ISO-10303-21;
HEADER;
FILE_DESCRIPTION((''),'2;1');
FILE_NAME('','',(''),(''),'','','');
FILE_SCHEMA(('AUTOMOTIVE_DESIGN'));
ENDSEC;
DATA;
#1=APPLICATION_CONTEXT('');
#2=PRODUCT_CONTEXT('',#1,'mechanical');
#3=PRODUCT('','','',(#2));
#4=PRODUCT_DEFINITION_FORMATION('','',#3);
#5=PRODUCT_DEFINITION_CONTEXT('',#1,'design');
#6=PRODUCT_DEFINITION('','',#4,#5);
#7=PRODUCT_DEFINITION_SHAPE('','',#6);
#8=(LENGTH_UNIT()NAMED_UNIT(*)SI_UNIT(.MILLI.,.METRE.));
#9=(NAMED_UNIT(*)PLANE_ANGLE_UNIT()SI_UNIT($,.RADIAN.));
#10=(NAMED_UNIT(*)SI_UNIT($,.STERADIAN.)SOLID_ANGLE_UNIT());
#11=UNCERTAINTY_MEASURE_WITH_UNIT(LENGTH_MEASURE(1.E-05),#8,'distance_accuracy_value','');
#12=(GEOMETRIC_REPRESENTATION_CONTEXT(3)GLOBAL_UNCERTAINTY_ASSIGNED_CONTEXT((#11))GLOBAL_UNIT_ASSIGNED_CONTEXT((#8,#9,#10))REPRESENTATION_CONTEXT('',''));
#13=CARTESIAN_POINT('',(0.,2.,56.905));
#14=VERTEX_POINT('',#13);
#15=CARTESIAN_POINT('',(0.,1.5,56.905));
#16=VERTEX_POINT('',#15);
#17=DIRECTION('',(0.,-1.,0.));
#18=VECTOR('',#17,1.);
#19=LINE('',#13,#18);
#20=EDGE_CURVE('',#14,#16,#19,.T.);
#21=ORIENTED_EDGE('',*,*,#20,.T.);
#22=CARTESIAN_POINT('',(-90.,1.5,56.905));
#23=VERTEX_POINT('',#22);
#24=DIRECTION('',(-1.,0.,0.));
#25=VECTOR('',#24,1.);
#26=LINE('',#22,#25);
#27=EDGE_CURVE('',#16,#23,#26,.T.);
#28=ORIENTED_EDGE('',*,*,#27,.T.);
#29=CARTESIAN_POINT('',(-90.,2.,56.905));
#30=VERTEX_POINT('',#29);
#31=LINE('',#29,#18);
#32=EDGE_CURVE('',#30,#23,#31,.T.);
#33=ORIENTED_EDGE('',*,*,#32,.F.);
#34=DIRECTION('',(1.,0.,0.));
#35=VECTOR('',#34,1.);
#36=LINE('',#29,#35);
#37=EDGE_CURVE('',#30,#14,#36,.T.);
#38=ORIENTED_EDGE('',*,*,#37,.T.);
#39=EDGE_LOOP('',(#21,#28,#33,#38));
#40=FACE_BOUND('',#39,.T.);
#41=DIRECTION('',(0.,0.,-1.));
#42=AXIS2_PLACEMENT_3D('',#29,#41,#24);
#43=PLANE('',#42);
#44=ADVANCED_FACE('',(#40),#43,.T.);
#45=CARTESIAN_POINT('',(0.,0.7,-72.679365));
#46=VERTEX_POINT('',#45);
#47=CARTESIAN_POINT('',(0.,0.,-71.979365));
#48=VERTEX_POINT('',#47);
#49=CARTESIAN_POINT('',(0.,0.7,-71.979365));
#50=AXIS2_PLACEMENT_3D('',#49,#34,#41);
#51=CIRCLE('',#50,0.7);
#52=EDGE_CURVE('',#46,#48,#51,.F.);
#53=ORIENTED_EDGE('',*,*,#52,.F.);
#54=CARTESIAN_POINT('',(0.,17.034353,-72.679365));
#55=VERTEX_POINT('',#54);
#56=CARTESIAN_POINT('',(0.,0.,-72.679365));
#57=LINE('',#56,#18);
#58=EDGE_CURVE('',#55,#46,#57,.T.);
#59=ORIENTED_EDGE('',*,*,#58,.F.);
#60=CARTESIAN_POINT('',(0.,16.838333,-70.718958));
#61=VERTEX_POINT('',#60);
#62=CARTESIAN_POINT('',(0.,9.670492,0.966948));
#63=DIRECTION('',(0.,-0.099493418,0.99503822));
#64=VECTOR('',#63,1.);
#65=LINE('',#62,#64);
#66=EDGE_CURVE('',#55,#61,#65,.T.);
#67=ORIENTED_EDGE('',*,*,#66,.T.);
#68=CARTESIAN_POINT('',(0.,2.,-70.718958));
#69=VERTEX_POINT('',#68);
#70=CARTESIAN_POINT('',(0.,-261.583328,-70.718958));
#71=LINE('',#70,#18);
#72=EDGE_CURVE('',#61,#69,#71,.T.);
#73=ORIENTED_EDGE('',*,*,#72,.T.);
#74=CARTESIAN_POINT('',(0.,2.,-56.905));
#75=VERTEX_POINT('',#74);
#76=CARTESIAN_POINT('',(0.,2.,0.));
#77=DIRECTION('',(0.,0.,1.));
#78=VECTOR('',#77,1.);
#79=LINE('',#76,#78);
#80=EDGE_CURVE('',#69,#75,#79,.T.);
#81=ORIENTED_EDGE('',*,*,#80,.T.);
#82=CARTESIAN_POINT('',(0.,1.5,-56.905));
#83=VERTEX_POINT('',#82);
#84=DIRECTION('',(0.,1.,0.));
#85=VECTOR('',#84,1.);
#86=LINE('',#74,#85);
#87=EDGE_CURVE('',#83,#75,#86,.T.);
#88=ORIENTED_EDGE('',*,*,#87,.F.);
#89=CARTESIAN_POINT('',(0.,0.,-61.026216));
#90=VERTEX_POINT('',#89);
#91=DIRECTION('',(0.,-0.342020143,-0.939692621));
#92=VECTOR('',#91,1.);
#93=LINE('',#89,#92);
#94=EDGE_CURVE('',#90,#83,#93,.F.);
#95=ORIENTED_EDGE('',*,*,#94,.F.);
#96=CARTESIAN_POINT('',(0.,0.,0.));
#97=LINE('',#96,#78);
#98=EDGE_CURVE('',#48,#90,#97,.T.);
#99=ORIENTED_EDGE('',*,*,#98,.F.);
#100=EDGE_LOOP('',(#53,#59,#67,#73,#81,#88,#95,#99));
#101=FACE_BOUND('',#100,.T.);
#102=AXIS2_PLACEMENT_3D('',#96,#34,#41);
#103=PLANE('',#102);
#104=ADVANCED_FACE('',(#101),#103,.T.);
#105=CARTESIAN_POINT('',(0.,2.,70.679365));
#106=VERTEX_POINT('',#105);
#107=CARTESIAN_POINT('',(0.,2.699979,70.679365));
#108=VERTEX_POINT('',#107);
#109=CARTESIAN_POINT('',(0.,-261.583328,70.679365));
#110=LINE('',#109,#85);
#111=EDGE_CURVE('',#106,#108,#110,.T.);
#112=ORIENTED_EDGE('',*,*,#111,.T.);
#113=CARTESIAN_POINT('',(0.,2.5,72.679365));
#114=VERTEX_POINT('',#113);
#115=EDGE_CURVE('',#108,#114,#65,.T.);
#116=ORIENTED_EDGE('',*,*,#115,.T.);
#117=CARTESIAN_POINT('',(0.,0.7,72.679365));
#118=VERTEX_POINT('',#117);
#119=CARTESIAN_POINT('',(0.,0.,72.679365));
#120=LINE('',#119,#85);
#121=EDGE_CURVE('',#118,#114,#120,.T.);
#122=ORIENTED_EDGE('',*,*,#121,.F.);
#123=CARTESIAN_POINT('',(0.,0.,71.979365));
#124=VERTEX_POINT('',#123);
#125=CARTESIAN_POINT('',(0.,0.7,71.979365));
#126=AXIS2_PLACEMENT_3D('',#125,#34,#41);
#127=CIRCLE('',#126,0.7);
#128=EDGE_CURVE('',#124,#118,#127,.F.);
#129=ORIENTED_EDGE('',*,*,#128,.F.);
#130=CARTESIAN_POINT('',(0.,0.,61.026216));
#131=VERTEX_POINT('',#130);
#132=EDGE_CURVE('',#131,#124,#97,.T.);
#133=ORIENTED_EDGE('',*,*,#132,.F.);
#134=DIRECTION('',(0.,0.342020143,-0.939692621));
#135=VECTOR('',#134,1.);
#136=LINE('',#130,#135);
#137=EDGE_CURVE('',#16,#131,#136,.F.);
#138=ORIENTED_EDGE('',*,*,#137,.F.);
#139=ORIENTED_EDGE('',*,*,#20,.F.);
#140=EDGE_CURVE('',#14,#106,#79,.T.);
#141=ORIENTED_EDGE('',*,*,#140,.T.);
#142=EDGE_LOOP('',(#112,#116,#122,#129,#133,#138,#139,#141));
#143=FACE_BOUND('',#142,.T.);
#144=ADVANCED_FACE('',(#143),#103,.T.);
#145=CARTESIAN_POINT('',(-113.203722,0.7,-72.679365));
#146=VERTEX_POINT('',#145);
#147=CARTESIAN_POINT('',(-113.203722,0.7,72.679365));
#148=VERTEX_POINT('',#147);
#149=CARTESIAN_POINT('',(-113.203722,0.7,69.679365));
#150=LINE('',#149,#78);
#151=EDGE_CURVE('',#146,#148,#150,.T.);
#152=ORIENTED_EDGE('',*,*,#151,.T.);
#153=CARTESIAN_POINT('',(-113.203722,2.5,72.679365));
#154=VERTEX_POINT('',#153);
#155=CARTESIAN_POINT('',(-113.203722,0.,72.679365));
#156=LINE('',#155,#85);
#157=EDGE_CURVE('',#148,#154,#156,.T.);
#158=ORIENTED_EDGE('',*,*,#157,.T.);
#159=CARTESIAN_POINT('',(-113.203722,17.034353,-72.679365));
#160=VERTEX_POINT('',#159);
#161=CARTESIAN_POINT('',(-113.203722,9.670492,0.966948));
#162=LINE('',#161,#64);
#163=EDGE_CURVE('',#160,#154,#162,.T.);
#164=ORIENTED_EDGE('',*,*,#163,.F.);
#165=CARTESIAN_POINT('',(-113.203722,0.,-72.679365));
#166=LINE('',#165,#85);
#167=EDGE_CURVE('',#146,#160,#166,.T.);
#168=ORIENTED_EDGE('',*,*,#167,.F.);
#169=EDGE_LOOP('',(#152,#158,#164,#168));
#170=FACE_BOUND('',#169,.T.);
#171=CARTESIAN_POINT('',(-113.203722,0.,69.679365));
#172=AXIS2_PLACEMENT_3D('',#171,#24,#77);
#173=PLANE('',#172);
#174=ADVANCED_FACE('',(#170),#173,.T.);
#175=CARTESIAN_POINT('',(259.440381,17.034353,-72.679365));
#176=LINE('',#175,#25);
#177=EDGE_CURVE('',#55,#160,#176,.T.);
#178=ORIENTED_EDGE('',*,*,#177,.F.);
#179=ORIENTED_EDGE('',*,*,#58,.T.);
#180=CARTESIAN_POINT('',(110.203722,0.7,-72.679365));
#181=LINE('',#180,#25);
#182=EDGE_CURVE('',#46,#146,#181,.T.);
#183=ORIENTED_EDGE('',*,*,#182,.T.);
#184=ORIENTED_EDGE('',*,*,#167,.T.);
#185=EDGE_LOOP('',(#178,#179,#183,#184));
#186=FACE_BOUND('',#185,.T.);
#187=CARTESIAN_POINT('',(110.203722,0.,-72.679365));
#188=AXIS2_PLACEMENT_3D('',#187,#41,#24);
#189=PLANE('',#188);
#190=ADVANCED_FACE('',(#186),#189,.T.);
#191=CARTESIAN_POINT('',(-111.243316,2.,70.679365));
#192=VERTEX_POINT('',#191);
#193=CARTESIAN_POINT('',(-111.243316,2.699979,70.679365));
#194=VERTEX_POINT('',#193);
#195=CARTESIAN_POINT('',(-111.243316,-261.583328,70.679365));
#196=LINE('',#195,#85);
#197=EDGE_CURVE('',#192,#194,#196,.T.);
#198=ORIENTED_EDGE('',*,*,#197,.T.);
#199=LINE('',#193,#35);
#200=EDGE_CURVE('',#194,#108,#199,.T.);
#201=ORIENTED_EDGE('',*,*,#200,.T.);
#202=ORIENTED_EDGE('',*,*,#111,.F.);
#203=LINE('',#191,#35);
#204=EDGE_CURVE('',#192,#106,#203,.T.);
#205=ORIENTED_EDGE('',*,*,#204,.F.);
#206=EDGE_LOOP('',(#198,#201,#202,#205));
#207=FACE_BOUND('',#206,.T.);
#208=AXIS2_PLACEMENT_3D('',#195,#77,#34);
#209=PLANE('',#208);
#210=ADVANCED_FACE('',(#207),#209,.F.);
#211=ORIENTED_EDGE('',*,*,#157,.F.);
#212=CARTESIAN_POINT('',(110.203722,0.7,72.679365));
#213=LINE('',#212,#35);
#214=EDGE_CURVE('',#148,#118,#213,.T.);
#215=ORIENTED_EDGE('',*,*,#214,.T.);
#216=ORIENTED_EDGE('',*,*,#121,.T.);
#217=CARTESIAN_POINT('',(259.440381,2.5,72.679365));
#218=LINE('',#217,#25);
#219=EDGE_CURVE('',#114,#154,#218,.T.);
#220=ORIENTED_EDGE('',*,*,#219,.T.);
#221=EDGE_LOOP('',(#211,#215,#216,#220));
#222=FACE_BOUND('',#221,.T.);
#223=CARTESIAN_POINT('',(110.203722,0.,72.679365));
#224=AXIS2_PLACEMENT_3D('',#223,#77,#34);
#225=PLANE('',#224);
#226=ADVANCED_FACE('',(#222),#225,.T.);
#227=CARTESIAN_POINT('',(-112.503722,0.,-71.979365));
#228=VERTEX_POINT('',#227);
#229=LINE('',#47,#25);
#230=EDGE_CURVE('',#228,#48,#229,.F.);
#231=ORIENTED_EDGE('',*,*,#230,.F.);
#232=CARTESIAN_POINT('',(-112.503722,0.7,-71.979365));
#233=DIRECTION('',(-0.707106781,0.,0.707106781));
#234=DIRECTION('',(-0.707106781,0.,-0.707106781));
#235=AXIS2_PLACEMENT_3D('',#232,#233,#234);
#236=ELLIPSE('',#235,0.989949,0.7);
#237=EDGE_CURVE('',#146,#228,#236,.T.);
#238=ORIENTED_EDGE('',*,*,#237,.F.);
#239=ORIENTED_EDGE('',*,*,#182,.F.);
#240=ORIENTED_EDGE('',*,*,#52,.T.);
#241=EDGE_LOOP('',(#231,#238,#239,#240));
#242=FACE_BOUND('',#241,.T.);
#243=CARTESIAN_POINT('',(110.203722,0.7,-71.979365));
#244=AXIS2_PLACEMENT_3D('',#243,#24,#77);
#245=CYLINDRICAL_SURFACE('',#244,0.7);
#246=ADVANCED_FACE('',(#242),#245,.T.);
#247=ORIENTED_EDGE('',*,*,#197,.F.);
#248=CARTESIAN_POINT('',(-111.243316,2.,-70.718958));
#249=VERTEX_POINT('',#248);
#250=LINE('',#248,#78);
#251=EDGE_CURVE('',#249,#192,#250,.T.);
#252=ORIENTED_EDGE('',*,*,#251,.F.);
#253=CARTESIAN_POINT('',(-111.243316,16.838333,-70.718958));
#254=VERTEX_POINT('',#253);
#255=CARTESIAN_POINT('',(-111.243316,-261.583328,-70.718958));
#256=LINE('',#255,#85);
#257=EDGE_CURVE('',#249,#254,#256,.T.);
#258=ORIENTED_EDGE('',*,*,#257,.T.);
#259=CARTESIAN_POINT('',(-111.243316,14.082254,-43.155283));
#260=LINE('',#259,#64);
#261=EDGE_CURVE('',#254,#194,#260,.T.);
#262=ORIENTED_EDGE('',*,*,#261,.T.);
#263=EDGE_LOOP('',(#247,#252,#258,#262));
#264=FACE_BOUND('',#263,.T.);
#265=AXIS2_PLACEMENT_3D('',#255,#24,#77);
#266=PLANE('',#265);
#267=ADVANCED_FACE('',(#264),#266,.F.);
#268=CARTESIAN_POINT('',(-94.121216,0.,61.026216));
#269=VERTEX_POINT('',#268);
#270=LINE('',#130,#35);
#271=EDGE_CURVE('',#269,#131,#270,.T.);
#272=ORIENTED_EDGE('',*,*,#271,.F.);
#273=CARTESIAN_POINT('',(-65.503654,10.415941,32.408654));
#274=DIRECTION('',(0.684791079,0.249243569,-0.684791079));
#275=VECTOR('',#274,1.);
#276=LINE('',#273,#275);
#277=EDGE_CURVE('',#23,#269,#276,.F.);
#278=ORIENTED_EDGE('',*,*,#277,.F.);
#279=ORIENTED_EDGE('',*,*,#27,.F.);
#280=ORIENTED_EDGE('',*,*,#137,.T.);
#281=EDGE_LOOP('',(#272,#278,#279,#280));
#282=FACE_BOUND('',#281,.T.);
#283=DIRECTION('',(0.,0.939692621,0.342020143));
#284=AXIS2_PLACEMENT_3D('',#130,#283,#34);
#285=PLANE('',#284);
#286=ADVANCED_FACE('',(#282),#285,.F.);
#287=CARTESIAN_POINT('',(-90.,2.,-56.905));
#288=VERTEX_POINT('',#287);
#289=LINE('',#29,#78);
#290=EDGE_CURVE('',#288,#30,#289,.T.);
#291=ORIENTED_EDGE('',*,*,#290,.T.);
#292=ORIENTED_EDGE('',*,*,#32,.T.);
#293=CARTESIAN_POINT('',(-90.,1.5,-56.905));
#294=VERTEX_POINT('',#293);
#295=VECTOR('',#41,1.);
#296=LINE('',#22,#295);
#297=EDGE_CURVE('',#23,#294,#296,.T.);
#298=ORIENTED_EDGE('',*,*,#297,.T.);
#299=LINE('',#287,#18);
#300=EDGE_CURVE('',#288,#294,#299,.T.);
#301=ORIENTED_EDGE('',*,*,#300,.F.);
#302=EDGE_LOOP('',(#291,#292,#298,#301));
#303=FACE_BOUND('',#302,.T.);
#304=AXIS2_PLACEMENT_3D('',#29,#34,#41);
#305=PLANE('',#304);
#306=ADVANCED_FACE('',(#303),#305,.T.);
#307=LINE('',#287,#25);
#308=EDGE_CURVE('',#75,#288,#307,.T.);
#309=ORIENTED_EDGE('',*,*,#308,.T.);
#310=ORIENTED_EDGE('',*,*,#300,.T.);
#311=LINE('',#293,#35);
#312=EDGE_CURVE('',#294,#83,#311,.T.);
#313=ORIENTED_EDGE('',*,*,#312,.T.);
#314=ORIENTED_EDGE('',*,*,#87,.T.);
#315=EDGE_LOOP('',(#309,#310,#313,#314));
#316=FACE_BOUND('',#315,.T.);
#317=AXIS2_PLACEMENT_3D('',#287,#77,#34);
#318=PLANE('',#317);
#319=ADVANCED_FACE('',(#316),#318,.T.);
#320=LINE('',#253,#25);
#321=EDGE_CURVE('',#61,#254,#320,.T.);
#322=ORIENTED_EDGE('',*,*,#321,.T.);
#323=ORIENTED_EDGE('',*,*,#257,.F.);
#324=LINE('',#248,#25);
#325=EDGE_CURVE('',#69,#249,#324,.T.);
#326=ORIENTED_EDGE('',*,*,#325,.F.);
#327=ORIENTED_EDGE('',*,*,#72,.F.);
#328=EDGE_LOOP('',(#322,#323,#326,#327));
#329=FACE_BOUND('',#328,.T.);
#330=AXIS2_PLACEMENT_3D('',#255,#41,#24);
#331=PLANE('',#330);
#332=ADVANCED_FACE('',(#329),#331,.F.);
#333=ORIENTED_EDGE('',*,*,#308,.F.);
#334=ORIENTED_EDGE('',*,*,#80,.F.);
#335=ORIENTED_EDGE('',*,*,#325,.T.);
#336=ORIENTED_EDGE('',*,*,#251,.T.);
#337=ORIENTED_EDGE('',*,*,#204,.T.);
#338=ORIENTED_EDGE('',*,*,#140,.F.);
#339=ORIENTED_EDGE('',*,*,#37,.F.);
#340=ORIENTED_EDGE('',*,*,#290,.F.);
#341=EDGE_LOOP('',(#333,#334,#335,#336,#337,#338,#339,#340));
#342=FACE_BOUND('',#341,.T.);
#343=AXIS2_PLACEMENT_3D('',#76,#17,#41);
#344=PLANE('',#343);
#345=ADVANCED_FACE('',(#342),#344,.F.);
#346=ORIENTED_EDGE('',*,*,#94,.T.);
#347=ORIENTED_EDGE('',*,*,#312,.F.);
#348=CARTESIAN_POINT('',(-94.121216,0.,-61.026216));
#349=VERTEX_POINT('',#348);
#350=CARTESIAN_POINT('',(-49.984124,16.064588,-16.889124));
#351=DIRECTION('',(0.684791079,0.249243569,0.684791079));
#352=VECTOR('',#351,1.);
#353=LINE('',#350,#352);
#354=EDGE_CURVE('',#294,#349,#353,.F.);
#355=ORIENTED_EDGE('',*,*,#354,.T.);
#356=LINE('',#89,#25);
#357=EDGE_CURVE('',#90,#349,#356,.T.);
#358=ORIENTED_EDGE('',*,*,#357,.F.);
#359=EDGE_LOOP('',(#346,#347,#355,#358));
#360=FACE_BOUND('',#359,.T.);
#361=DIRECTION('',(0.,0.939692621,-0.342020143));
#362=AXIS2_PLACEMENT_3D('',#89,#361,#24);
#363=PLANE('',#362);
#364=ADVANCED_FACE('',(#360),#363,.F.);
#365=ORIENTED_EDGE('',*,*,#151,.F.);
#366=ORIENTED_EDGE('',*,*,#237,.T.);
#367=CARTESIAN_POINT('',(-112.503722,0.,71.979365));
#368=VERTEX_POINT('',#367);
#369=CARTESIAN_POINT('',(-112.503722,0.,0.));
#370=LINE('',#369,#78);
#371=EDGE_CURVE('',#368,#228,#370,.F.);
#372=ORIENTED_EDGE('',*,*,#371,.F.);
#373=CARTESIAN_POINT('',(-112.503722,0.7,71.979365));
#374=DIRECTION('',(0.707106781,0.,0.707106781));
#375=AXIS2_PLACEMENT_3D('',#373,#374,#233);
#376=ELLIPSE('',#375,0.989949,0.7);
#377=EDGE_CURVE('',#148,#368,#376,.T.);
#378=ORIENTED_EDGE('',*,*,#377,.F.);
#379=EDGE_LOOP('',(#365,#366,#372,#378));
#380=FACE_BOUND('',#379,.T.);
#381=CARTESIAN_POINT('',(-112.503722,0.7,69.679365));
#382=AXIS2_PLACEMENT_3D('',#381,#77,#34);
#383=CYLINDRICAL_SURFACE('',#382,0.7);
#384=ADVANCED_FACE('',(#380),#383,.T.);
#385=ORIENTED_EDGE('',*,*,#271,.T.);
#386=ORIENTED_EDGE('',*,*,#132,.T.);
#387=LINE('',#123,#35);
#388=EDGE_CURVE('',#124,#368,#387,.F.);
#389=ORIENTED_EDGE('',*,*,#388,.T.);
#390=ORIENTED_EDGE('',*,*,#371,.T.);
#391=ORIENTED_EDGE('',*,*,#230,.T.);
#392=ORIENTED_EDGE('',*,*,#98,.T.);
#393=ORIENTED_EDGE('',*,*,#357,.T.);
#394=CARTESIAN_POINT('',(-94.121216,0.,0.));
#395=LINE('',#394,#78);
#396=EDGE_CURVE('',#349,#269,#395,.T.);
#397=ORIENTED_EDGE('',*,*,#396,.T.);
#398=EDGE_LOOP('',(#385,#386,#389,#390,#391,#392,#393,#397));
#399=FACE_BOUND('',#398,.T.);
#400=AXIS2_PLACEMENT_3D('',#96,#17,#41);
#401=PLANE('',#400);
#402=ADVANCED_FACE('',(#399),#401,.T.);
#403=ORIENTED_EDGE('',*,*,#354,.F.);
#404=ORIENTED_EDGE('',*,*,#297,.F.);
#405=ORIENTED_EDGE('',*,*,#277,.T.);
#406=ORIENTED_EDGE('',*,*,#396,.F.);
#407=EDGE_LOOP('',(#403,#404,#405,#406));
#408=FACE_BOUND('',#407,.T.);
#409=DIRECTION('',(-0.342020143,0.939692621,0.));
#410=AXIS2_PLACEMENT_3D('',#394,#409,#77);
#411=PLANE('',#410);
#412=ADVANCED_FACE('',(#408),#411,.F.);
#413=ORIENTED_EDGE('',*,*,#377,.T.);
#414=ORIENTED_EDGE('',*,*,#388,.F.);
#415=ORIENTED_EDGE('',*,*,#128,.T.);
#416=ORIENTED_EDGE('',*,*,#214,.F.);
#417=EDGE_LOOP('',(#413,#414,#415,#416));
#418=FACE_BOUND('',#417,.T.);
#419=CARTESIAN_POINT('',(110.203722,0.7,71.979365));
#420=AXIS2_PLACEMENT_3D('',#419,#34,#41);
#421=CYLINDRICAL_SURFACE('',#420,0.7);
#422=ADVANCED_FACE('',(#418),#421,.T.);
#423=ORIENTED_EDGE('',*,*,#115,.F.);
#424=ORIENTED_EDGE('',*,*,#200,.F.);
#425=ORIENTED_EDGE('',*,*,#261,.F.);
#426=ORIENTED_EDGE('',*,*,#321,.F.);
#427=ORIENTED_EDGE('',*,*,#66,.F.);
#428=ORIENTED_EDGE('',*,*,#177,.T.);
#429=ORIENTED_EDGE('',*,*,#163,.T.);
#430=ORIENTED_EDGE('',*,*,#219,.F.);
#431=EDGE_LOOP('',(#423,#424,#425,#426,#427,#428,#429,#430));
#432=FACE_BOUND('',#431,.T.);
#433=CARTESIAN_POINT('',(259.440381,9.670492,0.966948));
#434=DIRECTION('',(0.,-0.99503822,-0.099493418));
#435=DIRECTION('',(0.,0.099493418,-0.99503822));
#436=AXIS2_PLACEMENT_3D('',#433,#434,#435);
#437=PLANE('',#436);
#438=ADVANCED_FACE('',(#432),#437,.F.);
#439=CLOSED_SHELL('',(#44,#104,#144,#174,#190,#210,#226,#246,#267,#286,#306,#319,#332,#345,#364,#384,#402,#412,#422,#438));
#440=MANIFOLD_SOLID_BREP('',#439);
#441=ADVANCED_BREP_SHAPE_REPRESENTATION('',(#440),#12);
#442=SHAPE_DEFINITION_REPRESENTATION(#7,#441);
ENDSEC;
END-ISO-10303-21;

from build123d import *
from OCP.BRepFilletAPI import BRepFilletAPI_MakeChamfer

# Parameters (mm, degrees)
CROQUIS1_W                 = 220.407444928
CROQUIS1_H                 = 139.358729484
CROQUIS1_W_2               = 180
CROQUIS1_H_2               = 113.81
SALIENTE_EXTRUIR1_DEPTH    = 2
EXTRUIR_L_MINA3_DEPTH      = 16.5
EXTRUIR_L_MINA3_DEPTH_BACK = 2
CROQUIS2_W                 = 226.407444928
CROQUIS2_H                 = 145.358729484
CROQUIS2_W_2               = 220.407444928
CROQUIS2_H_2               = 139.358729484
CROQUIS6_W                 = 222.447038553
CROQUIS6_H                 = 141.398323109
CORTAR_EXTRUIR2_DEPTH      = 16.5
CORTAR_EXTRUIR3_REACH      = 240.505
CORTAR_EXTRUIR4_DEPTH      = 1.960406375
REDONDEO2_R                = 0.7
CHAFL_N1_SIZE              = 1.5
CHAFL_N1_SIZE2             = 4.121216129
REDONDEO3_R                = 0.7


with BuildPart() as part:
    # Croquis1 → Saliente-Extruir1 (new body)
    with BuildSketch(Plane(origin=(0, 0, 0), x_dir=(1, 0, 0), z_dir=(0, 1, 0))):
        Rectangle(CROQUIS1_W, CROQUIS1_H)
        Rectangle(CROQUIS1_W_2, CROQUIS1_H_2, mode=Mode.SUBTRACT)
    extrude(amount=SALIENTE_EXTRUIR1_DEPTH)

    # Croquis2 → Extruir-Lámina3 (add, two sides: drawn at the far end of the back side and taken through both)
    with BuildSketch(Plane(origin=(0, 2, 0), x_dir=(1, 0, 0), z_dir=(0, 1, 0)).offset(-EXTRUIR_L_MINA3_DEPTH_BACK)):
        Rectangle(CROQUIS2_W, CROQUIS2_H)
        Rectangle(CROQUIS2_W_2, CROQUIS2_H_2, mode=Mode.SUBTRACT)
    extrude(amount=EXTRUIR_L_MINA3_DEPTH + EXTRUIR_L_MINA3_DEPTH_BACK)

    # Croquis6 → Cortar-Extruir2 (cut)
    with BuildSketch(Plane(origin=(0, 18.5, 0), x_dir=(1, 0, 0), z_dir=(0, 1, 0))):
        with Locations((-0.019796812, 0.019796812)):
            Rectangle(CROQUIS6_W, CROQUIS6_H)
    extrude(amount=-CORTAR_EXTRUIR2_DEPTH, mode=Mode.SUBTRACT)

    # Cortar-Extruir3: up to this face of the body (flat: up to its plane)
    cortar_extruir3_end = Plane(part.part.faces().sort_by_distance((113.203722464, 9.25, 0))[0])
    # Croquis7 → Cortar-Extruir3 (cut, up to the picked face)
    with BuildSketch(Plane.ZY.offset(113.203722464), mode=Mode.PRIVATE) as cortar_extruir3_sk1:
        Polygon((-72.679364742, 18.5), (-72.679364742, 17.034353119), (72.679364742, 2.5), (72.679364742, 18.5), align=None)
    cortar_extruir3_tool1 = split(extrude(cortar_extruir3_sk1.sketch, amount=-CORTAR_EXTRUIR3_REACH, mode=Mode.PRIVATE), bisect_by=cortar_extruir3_end, keep=Keep.BOTH, mode=Mode.PRIVATE)
    add(cortar_extruir3_tool1.solids().sort_by(Axis((-113.203722, 13.12567, 20.160481), (1, 0, 0)))[0], mode=Mode.SUBTRACT)

    # Croquis8 → Cortar-Extruir4 (cut)
    with BuildSketch(Plane(origin=(0, 0, -72.679364742), x_dir=(-1, 0, 0), z_dir=(0, 0, -1))):
        with BuildLine():
            Line((-33.703722464, 17.034353119), (-74.703722464, 17.034353119))
            Line((-74.703722464, 17.034353119), (-74.703722464, 9.034353119))
            ThreePointArc((-74.703722464, 9.034353119), (-74.264382636, 7.973692947), (-73.203722464, 7.534353119))
            Line((-73.203722464, 7.534353119), (-35.203722464, 7.534353119))
            ThreePointArc((-35.203722464, 7.534353119), (-34.143062292, 7.973692947), (-33.703722464, 9.034353119))
            Line((-33.703722464, 9.034353119), (-33.703722464, 17.034353119))
        make_face()
    extrude(amount=-CORTAR_EXTRUIR4_DEPTH, mode=Mode.SUBTRACT)

    # Redondeo2
    redondeo2_edges = [part.edges().sort_by_distance(p)[0] for p in [
        (33.703722464, 12.936343049, -70.718958367),
        (34.143062292, 7.973692947, -70.718958367),
        (54.203722464, 7.534353119, -70.718958367),
        (74.264382636, 7.973692947, -70.718958367),
        (74.703722464, 12.936343049, -70.718958367),
        (74.703722464, 13.034353119, -72.679364742),
        (74.264382636, 7.973692947, -72.679364742),
        (54.203722464, 7.534353119, -72.679364742),
        (34.143062292, 7.973692947, -72.679364742),
        (33.703722464, 13.034353119, -72.679364742),
    ]]
    fillet(redondeo2_edges, radius=REDONDEO2_R)

    # Chaflán1: one chamfer whose edges measure the first distance from different faces: ONE call of the kernel's chamfer builder (chamfer() names one face for all edges)
    chafl_n1_edges_1 = [part.edges().sort_by_distance(p)[0] for p in [
        (90, 0, 0),
    ]]
    chafl_n1_side_1 = [part.faces().sort_by_distance(p)[0] for p in [
        (90, 1, 0),
    ]]
    chafl_n1_edges_2 = [part.edges().sort_by_distance(p)[0] for p in [
        (0, 0, -56.905),
    ]]
    chafl_n1_side_2 = [part.faces().sort_by_distance(p)[0] for p in [
        (0, 1, -56.905),
    ]]
    chafl_n1_edges_3 = [part.edges().sort_by_distance(p)[0] for p in [
        (-90, 0, 0),
    ]]
    chafl_n1_side_3 = [part.faces().sort_by_distance(p)[0] for p in [
        (-90, 1, 0),
    ]]
    chafl_n1_edges_4 = [part.edges().sort_by_distance(p)[0] for p in [
        (0, 0, 56.905),
    ]]
    chafl_n1_side_4 = [part.faces().sort_by_distance(p)[0] for p in [
        (0, 1, 56.905),
    ]]
    chafl_n1 = BRepFilletAPI_MakeChamfer(part.part.solid().wrapped)
    for e in chafl_n1_edges_1:
        chafl_n1.Add(CHAFL_N1_SIZE, CHAFL_N1_SIZE2, e.wrapped, chafl_n1_side_1[0].wrapped)  # the first distance lies on this face
    for e in chafl_n1_edges_2:
        chafl_n1.Add(CHAFL_N1_SIZE, CHAFL_N1_SIZE2, e.wrapped, chafl_n1_side_2[0].wrapped)  # the first distance lies on this face
    for e in chafl_n1_edges_3:
        chafl_n1.Add(CHAFL_N1_SIZE, CHAFL_N1_SIZE2, e.wrapped, chafl_n1_side_3[0].wrapped)  # the first distance lies on this face
    for e in chafl_n1_edges_4:
        chafl_n1.Add(CHAFL_N1_SIZE, CHAFL_N1_SIZE2, e.wrapped, chafl_n1_side_4[0].wrapped)  # the first distance lies on this face
    add(Compound.cast(chafl_n1.Shape()), mode=Mode.REPLACE)

    # Redondeo3
    redondeo3_edges = [part.edges().sort_by_distance(p)[0] for p in [
        (-113.203722464, 0, 0),
        (0, 0, -72.679364742),
        (113.203722464, 0, 0),
        (0, 0, 72.679364742),
    ]]
    fillet(redondeo3_edges, radius=REDONDEO3_R)

    # Partir1
    split(bisect_by=Plane(origin=(0, 0, 0), x_dir=(0, 0, 1), z_dir=(1, 0, 0)), keep=Keep.BOTTOM)


solid = part.part
